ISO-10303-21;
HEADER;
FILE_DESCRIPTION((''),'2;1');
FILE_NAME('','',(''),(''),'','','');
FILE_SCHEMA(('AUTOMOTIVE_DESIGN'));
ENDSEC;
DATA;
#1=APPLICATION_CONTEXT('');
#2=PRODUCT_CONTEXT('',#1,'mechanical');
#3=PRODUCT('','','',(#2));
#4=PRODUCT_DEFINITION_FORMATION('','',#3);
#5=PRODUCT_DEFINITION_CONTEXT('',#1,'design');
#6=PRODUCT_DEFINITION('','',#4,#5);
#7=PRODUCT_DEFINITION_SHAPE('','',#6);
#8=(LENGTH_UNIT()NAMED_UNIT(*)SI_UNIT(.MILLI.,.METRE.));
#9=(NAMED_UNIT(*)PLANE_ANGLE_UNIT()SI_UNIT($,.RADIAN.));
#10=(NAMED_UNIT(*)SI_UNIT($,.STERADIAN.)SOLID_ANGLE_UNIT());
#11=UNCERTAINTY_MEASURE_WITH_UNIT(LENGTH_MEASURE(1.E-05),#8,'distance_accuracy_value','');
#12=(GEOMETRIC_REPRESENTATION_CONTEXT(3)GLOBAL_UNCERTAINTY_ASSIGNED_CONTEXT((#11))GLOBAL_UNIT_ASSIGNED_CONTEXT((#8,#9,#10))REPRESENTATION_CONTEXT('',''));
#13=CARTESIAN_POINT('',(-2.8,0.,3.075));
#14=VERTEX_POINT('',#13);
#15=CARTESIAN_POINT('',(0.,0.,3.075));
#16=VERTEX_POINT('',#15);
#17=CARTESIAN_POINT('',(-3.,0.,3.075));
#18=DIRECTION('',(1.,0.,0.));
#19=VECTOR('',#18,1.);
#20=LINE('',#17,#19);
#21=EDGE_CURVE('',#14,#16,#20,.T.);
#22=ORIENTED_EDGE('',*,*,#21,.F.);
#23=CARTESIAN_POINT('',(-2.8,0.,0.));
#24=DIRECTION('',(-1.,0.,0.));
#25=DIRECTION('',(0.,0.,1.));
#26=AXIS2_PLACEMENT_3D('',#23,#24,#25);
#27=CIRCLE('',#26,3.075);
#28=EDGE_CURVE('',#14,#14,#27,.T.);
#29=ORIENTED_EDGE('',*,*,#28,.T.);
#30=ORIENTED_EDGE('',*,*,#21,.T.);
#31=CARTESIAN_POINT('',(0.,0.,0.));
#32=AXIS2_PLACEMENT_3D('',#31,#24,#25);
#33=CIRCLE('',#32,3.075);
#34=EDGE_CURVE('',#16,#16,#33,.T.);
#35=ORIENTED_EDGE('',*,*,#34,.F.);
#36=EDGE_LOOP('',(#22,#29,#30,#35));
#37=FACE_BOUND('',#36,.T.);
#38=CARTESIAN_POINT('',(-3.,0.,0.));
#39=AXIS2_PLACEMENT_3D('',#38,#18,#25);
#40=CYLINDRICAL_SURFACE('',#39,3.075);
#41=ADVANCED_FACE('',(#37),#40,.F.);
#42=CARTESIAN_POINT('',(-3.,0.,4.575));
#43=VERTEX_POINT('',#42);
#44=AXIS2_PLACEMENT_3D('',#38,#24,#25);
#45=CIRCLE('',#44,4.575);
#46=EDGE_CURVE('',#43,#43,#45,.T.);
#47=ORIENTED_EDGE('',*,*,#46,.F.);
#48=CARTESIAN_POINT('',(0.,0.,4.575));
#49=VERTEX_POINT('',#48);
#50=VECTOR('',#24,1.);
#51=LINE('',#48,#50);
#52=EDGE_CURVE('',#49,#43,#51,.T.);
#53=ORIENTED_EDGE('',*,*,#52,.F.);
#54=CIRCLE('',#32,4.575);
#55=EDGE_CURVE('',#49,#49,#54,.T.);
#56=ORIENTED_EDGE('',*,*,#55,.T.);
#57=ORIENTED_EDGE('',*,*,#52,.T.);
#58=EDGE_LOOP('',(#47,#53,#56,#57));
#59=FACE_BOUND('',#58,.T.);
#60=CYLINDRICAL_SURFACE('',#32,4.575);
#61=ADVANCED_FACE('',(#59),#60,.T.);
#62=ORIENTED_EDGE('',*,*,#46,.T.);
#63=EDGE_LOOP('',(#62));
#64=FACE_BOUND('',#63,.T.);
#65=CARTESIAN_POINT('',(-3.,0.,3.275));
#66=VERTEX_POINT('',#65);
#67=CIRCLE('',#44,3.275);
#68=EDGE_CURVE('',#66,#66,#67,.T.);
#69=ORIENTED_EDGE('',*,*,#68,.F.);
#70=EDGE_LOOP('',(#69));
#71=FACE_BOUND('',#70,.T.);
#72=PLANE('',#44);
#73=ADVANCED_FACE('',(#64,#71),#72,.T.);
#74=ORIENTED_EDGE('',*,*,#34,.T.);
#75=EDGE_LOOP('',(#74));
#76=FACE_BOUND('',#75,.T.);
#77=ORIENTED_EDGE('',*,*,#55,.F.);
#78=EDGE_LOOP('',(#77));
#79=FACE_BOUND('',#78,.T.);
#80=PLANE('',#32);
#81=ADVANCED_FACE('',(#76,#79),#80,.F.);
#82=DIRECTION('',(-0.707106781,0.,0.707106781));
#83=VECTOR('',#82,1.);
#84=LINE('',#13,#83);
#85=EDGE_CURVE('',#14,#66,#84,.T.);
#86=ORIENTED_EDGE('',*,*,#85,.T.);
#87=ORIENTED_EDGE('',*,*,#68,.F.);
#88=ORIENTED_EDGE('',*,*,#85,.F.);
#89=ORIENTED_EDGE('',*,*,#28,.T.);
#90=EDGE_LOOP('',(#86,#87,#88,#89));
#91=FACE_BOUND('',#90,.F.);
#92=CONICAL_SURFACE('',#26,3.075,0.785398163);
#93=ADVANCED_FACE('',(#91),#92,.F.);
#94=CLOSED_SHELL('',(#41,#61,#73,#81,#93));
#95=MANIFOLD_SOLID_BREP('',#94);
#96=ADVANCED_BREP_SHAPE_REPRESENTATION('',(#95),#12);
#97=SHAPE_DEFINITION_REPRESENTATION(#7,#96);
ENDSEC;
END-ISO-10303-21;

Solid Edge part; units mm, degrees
sketch "Sketch1" plane through (0, 0, 0) normal (0, -1, 0) x (1, 0, 0)
  line L0 (-3, 3.075) -> (0, 3.075)
  line L1 (0, 3.075) -> (0, 4.575)
  line L2 (0, 4.575) -> (-3, 4.575)
  line L3 (-3, 4.575) -> (-3, 3.075)
revolve "RevolvedProtrusion1" add sketch "Sketch1" angle 360 about axis through (0, 0, 0) along (-1, 0, 0)
chamfer "Chamfer1" distance 0.2 angle 45 1 edges at (-3, 0, -3.075)
